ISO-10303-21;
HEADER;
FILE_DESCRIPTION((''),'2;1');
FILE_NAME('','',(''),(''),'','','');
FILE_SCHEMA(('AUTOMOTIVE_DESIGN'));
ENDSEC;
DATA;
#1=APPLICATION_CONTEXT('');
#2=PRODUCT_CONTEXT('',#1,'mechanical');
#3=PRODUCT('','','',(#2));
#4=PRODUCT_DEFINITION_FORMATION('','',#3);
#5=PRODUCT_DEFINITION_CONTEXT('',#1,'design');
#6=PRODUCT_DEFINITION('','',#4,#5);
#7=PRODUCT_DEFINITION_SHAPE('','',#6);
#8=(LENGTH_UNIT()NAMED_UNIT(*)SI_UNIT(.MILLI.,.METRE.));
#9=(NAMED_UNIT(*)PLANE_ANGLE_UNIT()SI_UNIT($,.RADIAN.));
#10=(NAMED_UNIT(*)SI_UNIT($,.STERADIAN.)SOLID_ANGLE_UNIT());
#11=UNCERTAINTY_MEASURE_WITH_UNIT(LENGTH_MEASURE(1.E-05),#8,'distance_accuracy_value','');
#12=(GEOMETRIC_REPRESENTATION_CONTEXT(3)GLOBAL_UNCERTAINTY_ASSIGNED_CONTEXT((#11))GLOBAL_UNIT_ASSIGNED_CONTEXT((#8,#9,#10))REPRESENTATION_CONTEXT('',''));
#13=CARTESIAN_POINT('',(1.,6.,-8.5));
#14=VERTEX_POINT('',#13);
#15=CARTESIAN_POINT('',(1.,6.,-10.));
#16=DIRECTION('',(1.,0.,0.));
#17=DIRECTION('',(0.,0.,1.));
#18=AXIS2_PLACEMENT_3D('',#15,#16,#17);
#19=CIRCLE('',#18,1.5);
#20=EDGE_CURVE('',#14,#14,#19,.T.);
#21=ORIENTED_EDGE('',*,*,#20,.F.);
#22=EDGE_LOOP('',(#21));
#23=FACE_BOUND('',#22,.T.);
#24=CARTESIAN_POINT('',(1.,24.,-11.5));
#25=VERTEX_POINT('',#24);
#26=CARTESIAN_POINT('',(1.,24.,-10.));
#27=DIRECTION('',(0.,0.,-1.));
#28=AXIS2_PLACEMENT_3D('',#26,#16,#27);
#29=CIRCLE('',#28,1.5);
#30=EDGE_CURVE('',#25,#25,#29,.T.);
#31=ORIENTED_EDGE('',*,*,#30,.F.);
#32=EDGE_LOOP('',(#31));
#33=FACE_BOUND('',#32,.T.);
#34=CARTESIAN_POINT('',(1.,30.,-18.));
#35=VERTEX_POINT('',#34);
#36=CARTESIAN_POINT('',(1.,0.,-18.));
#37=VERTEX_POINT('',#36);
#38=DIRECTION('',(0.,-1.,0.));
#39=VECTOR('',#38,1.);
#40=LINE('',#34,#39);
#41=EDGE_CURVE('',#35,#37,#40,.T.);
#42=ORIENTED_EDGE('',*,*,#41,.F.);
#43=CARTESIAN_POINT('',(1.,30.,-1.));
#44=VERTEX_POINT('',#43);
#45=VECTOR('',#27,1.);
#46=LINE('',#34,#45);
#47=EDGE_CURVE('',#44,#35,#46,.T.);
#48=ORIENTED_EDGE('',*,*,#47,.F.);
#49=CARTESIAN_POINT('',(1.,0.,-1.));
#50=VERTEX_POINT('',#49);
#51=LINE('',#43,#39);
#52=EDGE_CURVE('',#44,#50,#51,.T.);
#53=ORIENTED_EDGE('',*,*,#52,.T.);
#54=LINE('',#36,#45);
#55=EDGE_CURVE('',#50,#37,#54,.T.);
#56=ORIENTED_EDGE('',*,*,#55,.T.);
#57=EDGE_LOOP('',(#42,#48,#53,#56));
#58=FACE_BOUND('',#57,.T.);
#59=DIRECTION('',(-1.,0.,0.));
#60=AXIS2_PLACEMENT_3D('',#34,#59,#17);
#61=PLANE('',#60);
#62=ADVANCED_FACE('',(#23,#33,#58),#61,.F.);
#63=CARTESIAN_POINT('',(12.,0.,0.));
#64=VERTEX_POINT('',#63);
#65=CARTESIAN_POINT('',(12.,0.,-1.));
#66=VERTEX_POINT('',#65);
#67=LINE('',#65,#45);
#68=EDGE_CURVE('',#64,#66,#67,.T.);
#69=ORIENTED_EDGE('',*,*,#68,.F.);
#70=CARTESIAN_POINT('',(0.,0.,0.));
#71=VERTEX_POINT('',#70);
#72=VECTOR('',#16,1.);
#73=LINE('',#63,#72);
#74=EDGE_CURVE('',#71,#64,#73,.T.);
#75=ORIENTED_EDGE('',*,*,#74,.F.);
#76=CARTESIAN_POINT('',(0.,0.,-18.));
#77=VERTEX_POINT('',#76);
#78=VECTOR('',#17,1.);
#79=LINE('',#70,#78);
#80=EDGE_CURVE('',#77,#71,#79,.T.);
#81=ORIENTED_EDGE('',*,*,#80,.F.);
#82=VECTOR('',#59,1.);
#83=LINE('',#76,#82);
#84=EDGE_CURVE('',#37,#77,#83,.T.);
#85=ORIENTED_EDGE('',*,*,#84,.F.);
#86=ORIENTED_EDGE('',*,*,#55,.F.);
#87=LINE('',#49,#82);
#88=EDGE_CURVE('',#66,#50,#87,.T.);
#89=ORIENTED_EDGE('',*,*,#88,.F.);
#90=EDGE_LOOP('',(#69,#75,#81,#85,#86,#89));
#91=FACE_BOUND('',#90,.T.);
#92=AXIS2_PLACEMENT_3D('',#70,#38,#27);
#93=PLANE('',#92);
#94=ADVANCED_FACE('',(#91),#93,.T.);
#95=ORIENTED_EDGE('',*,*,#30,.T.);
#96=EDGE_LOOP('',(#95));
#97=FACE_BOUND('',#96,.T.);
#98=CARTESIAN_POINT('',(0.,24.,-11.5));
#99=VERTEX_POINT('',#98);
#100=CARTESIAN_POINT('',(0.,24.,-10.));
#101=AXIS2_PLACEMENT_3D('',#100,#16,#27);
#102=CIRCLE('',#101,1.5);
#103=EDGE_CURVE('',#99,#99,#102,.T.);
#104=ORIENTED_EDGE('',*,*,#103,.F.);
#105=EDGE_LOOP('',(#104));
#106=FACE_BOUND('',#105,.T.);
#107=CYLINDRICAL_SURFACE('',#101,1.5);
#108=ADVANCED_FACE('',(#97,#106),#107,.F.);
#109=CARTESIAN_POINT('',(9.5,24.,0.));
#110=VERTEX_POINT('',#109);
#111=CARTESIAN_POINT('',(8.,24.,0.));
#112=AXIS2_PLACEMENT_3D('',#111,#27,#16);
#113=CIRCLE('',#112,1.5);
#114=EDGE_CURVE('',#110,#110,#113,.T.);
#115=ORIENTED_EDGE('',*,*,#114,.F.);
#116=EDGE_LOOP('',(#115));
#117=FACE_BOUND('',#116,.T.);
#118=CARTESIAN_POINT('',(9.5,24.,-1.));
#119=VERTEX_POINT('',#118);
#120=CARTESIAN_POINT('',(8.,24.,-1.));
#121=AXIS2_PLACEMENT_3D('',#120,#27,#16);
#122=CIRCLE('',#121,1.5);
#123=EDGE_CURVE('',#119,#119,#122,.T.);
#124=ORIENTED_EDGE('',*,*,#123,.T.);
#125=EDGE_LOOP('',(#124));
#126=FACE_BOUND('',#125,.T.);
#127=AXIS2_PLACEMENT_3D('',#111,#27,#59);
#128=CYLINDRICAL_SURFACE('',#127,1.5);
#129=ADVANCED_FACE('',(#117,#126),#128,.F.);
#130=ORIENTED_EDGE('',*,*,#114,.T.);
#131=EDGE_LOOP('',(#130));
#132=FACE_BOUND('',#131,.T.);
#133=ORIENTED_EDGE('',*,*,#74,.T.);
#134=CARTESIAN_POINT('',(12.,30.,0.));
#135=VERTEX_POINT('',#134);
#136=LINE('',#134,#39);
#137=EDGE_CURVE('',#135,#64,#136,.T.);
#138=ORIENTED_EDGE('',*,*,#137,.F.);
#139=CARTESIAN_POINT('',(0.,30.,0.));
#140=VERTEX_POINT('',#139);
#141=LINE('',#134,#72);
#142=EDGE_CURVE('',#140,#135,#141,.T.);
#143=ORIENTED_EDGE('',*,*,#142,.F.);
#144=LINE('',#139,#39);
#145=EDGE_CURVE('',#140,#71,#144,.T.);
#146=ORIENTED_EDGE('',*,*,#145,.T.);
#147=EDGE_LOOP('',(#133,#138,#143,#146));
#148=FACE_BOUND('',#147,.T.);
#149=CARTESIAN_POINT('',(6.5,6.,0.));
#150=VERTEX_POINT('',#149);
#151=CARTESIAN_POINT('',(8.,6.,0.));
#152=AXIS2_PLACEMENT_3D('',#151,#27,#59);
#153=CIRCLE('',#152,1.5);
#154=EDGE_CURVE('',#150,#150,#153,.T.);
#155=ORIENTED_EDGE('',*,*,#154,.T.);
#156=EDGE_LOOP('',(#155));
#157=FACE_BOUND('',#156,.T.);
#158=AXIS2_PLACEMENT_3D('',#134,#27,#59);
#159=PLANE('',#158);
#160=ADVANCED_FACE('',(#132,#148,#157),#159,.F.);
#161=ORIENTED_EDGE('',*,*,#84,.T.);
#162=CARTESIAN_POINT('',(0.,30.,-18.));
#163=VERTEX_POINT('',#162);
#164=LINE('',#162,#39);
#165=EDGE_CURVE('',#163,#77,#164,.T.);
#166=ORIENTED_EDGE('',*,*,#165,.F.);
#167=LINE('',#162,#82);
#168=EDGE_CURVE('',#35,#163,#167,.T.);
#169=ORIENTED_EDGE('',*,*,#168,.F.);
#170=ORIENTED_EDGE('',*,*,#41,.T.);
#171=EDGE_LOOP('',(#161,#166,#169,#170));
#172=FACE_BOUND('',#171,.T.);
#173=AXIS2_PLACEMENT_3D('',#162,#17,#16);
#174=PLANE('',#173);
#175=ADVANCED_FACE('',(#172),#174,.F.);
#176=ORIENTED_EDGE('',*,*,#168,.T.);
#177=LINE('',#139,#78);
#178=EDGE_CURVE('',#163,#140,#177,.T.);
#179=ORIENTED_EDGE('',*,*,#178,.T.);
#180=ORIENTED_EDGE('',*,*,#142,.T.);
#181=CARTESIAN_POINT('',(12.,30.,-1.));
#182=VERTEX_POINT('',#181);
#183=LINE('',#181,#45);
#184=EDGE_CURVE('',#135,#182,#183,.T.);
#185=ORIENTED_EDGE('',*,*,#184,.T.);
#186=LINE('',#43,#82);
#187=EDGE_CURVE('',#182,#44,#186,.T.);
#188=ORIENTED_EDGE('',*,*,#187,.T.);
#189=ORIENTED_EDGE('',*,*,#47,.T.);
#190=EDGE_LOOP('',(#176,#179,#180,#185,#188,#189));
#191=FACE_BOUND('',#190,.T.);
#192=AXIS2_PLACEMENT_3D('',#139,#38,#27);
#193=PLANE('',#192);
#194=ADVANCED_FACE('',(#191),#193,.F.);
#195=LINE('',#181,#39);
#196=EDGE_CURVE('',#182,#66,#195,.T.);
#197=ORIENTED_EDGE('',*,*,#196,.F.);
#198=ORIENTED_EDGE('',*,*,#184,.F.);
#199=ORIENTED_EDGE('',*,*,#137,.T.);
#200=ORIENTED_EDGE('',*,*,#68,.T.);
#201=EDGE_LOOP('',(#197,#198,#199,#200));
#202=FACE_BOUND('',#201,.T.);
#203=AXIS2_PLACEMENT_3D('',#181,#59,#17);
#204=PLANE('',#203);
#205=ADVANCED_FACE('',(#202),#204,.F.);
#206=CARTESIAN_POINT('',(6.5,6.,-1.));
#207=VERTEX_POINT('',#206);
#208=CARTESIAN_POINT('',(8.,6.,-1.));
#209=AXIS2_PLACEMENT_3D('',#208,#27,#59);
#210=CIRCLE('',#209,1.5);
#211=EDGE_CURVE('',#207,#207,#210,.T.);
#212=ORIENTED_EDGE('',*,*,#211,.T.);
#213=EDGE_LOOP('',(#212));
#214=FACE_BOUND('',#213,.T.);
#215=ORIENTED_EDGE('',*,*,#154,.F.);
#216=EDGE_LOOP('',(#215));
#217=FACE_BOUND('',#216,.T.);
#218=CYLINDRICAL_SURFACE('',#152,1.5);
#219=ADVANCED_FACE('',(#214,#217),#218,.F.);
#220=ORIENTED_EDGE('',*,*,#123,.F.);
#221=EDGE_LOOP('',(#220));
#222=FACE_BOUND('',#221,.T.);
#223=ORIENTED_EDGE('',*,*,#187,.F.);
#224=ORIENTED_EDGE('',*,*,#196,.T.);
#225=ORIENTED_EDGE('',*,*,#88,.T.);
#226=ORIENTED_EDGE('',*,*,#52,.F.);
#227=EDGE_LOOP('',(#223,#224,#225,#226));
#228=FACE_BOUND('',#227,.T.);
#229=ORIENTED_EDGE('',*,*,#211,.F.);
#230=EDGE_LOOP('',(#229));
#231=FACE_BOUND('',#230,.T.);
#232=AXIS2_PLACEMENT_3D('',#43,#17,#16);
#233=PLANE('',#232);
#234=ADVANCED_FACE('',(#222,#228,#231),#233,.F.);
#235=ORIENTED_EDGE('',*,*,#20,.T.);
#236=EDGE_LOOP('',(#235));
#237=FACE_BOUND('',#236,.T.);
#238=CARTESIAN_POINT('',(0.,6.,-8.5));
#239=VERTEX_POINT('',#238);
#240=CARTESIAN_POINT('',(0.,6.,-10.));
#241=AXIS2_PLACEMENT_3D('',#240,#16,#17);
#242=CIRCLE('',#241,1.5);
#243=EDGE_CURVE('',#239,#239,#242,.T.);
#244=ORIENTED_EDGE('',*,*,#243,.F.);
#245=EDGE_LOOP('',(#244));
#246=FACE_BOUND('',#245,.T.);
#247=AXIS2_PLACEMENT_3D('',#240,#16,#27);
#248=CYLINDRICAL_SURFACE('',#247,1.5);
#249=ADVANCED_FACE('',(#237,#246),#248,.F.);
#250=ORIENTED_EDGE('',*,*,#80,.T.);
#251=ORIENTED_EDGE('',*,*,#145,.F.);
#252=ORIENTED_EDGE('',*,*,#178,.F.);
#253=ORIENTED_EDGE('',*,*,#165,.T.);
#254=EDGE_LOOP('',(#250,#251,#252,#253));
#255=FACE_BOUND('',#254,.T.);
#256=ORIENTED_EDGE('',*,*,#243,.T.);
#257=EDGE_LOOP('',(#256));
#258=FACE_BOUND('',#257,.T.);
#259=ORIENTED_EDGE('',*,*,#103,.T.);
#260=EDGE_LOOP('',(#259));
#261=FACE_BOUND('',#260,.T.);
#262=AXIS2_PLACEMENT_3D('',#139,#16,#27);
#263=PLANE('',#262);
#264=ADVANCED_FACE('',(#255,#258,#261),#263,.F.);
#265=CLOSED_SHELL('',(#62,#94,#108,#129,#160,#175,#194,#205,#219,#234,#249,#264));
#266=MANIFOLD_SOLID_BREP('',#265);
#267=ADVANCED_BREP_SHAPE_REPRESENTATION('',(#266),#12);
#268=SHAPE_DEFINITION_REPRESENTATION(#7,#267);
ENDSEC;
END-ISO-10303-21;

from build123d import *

# Parameters (mm, degrees)
EXTRUDE_2_DEPTH     = 30
SKETCH_5_R          = 1.5
CUT_EXTRUDE_3_DEPTH = 37.510272527
SKETCH_6_R          = 1.5
CUT_EXTRUDE_4_DEPTH = 37.674241642


with BuildPart() as part:
    # 草图4 → 凸台-拉伸2 (new body)
    with BuildSketch(Plane(origin=(0, 0, 0), x_dir=(1, 0, 0), z_dir=(0, 1, 0))):
        Polygon((0, 0), (0, 18), (1, 18), (1, 1), (12, 1), (12, 0), align=None)
    extrude(amount=EXTRUDE_2_DEPTH)

    # 草图5 → 切除-拉伸3 (cut, through all)
    with BuildSketch(Plane(origin=(0, 0, -1), x_dir=(-1, 0, 0), z_dir=(0, 0, -1))):
        with Locations((-8, 6)):
            Circle(SKETCH_5_R)
        with Locations(Location((-8, 24, 0), (0, 0, 180))):
            Circle(SKETCH_5_R)
    extrude(amount=-CUT_EXTRUDE_3_DEPTH, mode=Mode.SUBTRACT)

    # 草图6 → 切除-拉伸4 (cut, through all)
    with BuildSketch(Plane(origin=(1, 0, 0), x_dir=(0, 0, -1), z_dir=(1, 0, 0))):
        with Locations((10, 24)):
            Circle(SKETCH_6_R)
        with Locations(Location((10, 6, 0), (0, 0, 180))):
            Circle(SKETCH_6_R)
    extrude(amount=-CUT_EXTRUDE_4_DEPTH, mode=Mode.SUBTRACT)


solid = part.part
